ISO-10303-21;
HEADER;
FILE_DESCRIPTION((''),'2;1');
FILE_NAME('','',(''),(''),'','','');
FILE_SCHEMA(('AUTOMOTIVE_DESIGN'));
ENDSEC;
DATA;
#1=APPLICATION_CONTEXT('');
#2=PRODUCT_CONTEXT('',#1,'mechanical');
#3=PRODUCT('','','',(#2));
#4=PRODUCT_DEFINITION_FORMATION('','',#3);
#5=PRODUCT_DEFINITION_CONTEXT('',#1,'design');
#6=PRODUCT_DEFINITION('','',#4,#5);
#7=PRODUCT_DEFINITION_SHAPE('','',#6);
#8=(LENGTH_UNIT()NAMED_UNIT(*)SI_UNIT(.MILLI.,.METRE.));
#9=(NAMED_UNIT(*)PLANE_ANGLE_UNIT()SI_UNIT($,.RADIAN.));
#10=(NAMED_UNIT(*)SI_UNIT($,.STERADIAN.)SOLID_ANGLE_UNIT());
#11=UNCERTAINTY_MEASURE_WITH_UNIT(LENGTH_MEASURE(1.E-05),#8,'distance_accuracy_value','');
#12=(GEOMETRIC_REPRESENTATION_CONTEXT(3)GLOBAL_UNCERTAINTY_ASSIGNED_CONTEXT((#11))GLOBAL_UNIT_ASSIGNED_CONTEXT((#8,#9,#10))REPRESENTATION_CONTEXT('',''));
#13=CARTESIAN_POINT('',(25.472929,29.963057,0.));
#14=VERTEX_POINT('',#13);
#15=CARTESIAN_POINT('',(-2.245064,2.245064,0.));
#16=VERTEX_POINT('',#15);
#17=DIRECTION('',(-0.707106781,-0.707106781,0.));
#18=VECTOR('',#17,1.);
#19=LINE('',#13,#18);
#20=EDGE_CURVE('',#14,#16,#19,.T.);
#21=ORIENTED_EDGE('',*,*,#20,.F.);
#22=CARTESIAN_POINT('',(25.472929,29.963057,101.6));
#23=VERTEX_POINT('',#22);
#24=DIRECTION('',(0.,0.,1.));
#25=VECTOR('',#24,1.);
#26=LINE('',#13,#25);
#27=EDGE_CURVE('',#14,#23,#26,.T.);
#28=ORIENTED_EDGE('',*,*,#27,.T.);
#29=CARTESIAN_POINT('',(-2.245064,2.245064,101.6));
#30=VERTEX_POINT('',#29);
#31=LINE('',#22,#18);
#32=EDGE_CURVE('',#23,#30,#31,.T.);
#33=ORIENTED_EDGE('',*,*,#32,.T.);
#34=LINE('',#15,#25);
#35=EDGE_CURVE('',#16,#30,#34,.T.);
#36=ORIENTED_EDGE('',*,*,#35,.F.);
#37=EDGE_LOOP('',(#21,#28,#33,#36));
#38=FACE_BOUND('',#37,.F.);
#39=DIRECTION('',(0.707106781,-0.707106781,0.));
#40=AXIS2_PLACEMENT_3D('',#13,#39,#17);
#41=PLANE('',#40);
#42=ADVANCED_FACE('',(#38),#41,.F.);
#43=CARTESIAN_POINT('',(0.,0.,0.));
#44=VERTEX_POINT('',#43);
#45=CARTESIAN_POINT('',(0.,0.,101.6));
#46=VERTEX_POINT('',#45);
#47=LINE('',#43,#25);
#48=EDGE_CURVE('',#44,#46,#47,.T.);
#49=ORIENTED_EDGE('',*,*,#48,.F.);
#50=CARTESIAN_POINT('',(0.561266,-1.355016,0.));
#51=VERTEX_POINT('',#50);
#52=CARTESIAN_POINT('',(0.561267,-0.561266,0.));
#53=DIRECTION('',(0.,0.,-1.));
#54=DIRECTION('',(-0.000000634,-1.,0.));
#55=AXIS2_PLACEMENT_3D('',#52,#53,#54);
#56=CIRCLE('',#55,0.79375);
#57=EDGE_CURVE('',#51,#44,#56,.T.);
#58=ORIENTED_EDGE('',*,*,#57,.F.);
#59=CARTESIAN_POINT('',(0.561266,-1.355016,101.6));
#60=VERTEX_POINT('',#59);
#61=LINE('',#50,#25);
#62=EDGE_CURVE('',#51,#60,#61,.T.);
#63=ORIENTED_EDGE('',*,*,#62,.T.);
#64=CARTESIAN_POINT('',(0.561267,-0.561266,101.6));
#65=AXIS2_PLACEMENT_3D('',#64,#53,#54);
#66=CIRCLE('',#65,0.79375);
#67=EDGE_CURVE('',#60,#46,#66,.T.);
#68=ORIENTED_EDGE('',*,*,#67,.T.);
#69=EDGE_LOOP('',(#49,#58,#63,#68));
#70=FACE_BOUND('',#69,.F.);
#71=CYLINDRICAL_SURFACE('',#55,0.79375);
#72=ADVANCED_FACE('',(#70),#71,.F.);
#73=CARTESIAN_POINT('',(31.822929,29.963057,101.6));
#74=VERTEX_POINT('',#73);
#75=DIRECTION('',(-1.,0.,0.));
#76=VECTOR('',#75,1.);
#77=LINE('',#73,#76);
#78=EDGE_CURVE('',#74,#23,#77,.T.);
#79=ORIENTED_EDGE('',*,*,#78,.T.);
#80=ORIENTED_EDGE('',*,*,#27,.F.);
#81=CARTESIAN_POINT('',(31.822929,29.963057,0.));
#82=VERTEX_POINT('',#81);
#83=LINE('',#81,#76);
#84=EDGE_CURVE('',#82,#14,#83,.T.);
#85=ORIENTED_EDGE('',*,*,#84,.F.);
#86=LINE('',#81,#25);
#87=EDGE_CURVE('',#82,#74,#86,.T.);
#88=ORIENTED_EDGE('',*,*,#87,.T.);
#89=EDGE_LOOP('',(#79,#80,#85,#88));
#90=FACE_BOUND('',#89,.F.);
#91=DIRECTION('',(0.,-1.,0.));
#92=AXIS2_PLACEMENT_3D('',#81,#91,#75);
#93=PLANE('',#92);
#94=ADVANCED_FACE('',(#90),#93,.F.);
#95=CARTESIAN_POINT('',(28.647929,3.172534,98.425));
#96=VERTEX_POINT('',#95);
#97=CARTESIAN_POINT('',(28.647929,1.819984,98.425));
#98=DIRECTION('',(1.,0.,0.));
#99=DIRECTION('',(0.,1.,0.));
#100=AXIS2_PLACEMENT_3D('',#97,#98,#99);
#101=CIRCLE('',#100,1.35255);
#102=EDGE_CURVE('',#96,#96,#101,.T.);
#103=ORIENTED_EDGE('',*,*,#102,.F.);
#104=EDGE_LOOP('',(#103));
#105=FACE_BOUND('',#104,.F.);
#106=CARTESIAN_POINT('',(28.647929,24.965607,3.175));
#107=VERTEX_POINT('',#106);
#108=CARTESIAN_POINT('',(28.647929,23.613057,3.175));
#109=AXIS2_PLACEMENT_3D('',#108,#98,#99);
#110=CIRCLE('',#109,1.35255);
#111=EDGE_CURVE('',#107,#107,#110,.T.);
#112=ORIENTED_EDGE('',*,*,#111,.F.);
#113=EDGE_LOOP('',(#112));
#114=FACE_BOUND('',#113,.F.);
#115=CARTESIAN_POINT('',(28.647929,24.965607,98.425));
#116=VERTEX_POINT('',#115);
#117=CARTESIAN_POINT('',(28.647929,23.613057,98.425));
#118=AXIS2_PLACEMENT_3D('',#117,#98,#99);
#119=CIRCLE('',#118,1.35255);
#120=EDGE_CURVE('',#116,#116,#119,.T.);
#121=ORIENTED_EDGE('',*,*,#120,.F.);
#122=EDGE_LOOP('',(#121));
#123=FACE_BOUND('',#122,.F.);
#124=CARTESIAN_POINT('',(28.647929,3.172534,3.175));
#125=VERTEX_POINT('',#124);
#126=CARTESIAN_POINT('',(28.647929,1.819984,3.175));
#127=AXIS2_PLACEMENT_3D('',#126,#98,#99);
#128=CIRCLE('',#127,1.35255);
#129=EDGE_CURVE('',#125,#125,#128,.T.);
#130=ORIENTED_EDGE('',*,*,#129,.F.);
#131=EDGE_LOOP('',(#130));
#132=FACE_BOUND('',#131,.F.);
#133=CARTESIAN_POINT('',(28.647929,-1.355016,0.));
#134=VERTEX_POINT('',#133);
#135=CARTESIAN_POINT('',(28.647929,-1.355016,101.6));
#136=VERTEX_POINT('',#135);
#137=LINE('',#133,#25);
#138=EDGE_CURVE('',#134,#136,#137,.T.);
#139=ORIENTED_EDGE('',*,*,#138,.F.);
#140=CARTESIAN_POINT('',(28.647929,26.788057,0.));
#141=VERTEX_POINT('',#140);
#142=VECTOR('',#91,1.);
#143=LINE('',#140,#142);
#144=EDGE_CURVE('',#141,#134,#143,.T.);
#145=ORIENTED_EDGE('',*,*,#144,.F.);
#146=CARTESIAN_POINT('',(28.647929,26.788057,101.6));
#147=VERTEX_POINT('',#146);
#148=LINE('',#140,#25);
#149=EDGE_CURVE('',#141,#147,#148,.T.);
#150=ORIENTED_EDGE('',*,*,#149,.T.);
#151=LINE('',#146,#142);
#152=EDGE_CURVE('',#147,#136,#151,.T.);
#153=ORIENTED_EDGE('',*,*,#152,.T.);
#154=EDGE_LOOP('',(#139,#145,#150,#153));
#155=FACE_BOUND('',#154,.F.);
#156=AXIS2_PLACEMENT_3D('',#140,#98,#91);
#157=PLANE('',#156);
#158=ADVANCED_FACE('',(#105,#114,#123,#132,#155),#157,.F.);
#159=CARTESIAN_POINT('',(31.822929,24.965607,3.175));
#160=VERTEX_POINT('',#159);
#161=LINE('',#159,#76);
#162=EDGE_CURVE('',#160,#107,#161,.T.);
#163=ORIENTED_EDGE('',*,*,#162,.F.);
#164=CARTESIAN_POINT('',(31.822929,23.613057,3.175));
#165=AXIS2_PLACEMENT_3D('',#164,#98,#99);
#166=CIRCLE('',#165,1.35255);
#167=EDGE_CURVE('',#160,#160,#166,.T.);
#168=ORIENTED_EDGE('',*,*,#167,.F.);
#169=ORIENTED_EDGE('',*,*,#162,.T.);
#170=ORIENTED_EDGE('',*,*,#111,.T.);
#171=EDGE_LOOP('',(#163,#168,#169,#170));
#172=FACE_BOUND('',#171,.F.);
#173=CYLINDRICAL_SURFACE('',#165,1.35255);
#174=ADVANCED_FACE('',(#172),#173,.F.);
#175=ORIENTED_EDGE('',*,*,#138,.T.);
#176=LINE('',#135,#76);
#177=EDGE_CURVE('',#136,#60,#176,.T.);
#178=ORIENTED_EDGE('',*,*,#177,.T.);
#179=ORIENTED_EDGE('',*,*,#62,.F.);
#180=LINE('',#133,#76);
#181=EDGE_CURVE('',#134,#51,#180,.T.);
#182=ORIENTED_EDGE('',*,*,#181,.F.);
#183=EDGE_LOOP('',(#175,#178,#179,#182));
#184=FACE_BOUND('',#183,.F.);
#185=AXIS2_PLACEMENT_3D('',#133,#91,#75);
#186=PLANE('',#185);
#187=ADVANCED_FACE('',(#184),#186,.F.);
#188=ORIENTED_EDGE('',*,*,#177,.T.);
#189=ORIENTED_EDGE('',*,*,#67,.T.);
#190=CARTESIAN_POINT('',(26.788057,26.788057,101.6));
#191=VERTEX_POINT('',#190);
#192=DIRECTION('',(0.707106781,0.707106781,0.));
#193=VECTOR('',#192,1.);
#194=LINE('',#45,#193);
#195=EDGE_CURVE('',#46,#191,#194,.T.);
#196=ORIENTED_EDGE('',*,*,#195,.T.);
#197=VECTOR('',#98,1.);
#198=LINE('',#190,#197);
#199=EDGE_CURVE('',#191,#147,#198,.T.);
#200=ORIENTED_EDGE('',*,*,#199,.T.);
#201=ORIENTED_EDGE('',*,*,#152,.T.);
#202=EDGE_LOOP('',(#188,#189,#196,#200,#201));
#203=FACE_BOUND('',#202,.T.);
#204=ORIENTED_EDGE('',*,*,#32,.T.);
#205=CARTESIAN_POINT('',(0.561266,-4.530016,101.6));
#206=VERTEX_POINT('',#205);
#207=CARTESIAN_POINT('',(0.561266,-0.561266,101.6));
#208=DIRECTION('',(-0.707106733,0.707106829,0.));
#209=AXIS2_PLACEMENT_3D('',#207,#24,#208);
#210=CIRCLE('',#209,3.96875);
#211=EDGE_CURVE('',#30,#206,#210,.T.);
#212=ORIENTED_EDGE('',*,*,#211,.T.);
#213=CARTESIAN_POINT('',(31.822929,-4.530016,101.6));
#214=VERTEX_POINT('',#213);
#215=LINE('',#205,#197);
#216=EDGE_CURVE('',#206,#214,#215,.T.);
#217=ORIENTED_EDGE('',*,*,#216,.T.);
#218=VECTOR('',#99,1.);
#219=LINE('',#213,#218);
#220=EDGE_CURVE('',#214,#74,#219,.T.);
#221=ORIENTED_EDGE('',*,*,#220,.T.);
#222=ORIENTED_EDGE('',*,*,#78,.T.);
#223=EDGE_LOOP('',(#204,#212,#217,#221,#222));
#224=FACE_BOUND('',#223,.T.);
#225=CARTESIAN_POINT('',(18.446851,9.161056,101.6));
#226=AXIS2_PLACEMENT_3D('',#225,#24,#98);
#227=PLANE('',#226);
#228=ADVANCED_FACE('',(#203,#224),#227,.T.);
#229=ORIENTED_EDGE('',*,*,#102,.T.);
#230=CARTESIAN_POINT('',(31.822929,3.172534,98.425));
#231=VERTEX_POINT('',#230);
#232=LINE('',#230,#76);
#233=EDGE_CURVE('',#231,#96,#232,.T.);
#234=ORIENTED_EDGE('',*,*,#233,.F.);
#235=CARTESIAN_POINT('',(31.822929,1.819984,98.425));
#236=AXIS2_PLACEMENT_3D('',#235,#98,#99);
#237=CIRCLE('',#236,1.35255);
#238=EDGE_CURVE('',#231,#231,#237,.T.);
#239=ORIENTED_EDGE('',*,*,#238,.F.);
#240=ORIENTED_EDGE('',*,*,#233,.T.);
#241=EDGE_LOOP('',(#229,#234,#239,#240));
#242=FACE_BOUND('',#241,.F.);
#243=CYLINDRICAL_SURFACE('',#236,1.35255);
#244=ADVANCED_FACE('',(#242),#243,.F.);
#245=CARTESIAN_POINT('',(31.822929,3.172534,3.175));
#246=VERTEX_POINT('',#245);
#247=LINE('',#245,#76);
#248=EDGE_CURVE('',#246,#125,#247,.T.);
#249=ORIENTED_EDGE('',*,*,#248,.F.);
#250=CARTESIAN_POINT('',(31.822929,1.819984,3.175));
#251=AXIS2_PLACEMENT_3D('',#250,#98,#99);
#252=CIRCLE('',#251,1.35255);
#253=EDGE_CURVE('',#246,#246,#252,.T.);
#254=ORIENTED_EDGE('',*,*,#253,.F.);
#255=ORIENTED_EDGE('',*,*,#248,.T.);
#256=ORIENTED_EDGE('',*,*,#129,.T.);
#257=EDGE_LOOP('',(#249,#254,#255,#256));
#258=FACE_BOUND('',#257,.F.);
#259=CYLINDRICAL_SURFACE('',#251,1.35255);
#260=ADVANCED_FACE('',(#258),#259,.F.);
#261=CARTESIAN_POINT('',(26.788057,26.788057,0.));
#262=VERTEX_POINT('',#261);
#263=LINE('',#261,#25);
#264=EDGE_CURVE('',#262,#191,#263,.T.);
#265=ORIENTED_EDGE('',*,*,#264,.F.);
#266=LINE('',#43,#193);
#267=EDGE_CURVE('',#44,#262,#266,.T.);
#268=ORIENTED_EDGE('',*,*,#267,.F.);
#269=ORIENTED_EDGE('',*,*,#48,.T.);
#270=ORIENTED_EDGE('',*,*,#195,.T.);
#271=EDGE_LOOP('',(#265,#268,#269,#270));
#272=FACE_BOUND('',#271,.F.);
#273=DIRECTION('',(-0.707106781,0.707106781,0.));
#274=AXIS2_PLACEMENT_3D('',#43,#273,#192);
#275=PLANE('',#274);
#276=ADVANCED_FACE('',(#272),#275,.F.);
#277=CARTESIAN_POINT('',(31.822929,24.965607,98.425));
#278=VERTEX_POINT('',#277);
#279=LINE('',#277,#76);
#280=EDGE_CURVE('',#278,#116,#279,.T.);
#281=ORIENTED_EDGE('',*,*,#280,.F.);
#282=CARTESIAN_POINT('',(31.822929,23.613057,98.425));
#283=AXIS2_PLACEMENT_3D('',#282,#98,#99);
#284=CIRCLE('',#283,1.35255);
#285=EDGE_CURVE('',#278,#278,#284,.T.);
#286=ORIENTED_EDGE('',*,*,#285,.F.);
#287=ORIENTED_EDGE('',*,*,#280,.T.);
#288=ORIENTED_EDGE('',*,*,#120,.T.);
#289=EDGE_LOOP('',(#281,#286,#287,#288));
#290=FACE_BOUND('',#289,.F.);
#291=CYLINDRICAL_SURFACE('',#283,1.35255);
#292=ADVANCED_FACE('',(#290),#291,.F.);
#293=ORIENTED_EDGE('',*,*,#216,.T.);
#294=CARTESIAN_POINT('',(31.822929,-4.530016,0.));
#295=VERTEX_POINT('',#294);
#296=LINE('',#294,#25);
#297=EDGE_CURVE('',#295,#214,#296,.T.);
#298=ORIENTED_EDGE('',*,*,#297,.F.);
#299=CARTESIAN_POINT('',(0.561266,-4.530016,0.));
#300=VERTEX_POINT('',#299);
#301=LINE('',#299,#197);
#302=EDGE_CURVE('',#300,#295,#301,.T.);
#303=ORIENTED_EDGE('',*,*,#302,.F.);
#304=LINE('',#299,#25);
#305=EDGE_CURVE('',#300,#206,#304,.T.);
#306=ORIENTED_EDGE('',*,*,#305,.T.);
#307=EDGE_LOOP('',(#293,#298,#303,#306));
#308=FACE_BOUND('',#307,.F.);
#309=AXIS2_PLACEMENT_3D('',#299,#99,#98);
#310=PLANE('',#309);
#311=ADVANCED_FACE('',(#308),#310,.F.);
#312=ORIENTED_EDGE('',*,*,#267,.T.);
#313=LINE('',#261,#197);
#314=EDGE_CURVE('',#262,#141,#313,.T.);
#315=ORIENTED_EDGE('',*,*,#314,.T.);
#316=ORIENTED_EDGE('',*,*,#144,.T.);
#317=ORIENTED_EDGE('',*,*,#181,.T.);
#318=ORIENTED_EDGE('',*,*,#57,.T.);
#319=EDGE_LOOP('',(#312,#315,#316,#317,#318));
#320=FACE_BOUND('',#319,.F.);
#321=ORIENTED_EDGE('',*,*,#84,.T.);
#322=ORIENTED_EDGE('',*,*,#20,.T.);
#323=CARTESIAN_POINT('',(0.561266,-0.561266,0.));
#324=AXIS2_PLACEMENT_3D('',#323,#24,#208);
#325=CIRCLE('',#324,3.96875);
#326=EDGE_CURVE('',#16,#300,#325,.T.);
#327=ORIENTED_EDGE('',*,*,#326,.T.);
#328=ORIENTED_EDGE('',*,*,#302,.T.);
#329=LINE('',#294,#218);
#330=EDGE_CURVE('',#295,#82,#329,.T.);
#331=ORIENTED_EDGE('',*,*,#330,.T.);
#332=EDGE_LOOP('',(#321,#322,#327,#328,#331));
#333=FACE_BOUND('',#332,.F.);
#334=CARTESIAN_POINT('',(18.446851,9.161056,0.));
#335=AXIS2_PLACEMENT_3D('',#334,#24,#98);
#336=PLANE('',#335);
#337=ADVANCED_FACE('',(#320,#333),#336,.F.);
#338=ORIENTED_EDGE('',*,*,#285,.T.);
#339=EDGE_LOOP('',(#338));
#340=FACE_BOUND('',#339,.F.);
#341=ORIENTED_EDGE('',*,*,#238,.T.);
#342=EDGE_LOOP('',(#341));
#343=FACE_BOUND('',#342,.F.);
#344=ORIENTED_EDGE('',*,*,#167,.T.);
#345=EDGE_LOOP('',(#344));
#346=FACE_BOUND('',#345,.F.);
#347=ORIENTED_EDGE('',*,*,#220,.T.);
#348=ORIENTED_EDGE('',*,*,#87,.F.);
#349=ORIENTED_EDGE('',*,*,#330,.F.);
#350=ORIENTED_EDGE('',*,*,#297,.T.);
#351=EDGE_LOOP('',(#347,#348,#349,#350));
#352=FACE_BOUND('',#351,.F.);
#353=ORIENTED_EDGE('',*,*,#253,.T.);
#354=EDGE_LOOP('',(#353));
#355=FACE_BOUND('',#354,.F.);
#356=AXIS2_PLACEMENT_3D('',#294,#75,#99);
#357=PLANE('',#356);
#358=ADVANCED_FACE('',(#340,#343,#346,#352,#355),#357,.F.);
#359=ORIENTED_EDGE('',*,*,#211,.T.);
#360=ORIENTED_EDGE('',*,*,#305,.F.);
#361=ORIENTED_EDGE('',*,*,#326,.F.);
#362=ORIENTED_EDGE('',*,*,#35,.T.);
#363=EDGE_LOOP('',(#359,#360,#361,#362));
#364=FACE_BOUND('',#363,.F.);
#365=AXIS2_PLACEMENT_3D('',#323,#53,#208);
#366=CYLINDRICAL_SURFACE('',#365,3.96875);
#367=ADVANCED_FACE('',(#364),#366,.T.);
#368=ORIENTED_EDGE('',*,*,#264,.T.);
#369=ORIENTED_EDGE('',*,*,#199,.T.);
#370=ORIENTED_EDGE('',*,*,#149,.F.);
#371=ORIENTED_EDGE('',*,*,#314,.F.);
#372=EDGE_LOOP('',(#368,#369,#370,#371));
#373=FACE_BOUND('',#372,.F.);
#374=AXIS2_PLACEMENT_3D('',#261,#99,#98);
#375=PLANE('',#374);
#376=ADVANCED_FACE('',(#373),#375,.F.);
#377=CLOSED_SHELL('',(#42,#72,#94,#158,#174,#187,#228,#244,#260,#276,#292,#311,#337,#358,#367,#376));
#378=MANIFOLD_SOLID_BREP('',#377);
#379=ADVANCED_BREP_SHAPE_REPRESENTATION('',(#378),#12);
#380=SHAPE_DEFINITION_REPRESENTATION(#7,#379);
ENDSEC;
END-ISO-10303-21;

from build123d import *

# Parameters (mm, degrees)
F1_DEPTH = 101.6
F2_R     = 1.35255
F3_DEPTH = 3.175


with BuildPart() as f1:
    # F0 (on Top) → F1 (new body)
    with BuildSketch(Plane.XY):
        with BuildLine():
            Line((25.472929, 29.963057), (-2.245064, 2.245064))
            ThreePointArc((-2.245064, 2.245064), (-3.105381, -2.080041), (0.561266, -4.530016))
            Line((0.561266, -4.530016), (31.822929, -4.530016))
            Line((31.822929, -4.530016), (31.822929, 29.963057))
            Line((31.822929, 29.963057), (25.472929, 29.963057))
        make_face()
        with BuildLine():
            Line((28.647929, -1.355016), (0.561266, -1.355016))
            ThreePointArc((0.561266, -1.355016), (-0.172063, -0.865021), (0, 0))
            Line((0, 0), (26.788057, 26.788057))
            Line((26.788057, 26.788057), (28.647929, 26.788057))
            Line((28.647929, 26.788057), (28.647929, -1.355016))
        make_face(mode=Mode.SUBTRACT)
    extrude(amount=F1_DEPTH)

    # F2 (on face) → F3 (cut, through all)
    with BuildSketch(Plane.YZ.offset(31.822929)):
        with Locations((23.613057, 98.425)):
            Circle(F2_R)
        with Locations((1.819984, 98.425)):
            Circle(F2_R)
        with Locations((1.819984, 3.175)):
            Circle(F2_R)
        with Locations((23.613057, 3.175)):
            Circle(F2_R)
    extrude(amount=-F3_DEPTH, mode=Mode.SUBTRACT)


solid = f1.part
